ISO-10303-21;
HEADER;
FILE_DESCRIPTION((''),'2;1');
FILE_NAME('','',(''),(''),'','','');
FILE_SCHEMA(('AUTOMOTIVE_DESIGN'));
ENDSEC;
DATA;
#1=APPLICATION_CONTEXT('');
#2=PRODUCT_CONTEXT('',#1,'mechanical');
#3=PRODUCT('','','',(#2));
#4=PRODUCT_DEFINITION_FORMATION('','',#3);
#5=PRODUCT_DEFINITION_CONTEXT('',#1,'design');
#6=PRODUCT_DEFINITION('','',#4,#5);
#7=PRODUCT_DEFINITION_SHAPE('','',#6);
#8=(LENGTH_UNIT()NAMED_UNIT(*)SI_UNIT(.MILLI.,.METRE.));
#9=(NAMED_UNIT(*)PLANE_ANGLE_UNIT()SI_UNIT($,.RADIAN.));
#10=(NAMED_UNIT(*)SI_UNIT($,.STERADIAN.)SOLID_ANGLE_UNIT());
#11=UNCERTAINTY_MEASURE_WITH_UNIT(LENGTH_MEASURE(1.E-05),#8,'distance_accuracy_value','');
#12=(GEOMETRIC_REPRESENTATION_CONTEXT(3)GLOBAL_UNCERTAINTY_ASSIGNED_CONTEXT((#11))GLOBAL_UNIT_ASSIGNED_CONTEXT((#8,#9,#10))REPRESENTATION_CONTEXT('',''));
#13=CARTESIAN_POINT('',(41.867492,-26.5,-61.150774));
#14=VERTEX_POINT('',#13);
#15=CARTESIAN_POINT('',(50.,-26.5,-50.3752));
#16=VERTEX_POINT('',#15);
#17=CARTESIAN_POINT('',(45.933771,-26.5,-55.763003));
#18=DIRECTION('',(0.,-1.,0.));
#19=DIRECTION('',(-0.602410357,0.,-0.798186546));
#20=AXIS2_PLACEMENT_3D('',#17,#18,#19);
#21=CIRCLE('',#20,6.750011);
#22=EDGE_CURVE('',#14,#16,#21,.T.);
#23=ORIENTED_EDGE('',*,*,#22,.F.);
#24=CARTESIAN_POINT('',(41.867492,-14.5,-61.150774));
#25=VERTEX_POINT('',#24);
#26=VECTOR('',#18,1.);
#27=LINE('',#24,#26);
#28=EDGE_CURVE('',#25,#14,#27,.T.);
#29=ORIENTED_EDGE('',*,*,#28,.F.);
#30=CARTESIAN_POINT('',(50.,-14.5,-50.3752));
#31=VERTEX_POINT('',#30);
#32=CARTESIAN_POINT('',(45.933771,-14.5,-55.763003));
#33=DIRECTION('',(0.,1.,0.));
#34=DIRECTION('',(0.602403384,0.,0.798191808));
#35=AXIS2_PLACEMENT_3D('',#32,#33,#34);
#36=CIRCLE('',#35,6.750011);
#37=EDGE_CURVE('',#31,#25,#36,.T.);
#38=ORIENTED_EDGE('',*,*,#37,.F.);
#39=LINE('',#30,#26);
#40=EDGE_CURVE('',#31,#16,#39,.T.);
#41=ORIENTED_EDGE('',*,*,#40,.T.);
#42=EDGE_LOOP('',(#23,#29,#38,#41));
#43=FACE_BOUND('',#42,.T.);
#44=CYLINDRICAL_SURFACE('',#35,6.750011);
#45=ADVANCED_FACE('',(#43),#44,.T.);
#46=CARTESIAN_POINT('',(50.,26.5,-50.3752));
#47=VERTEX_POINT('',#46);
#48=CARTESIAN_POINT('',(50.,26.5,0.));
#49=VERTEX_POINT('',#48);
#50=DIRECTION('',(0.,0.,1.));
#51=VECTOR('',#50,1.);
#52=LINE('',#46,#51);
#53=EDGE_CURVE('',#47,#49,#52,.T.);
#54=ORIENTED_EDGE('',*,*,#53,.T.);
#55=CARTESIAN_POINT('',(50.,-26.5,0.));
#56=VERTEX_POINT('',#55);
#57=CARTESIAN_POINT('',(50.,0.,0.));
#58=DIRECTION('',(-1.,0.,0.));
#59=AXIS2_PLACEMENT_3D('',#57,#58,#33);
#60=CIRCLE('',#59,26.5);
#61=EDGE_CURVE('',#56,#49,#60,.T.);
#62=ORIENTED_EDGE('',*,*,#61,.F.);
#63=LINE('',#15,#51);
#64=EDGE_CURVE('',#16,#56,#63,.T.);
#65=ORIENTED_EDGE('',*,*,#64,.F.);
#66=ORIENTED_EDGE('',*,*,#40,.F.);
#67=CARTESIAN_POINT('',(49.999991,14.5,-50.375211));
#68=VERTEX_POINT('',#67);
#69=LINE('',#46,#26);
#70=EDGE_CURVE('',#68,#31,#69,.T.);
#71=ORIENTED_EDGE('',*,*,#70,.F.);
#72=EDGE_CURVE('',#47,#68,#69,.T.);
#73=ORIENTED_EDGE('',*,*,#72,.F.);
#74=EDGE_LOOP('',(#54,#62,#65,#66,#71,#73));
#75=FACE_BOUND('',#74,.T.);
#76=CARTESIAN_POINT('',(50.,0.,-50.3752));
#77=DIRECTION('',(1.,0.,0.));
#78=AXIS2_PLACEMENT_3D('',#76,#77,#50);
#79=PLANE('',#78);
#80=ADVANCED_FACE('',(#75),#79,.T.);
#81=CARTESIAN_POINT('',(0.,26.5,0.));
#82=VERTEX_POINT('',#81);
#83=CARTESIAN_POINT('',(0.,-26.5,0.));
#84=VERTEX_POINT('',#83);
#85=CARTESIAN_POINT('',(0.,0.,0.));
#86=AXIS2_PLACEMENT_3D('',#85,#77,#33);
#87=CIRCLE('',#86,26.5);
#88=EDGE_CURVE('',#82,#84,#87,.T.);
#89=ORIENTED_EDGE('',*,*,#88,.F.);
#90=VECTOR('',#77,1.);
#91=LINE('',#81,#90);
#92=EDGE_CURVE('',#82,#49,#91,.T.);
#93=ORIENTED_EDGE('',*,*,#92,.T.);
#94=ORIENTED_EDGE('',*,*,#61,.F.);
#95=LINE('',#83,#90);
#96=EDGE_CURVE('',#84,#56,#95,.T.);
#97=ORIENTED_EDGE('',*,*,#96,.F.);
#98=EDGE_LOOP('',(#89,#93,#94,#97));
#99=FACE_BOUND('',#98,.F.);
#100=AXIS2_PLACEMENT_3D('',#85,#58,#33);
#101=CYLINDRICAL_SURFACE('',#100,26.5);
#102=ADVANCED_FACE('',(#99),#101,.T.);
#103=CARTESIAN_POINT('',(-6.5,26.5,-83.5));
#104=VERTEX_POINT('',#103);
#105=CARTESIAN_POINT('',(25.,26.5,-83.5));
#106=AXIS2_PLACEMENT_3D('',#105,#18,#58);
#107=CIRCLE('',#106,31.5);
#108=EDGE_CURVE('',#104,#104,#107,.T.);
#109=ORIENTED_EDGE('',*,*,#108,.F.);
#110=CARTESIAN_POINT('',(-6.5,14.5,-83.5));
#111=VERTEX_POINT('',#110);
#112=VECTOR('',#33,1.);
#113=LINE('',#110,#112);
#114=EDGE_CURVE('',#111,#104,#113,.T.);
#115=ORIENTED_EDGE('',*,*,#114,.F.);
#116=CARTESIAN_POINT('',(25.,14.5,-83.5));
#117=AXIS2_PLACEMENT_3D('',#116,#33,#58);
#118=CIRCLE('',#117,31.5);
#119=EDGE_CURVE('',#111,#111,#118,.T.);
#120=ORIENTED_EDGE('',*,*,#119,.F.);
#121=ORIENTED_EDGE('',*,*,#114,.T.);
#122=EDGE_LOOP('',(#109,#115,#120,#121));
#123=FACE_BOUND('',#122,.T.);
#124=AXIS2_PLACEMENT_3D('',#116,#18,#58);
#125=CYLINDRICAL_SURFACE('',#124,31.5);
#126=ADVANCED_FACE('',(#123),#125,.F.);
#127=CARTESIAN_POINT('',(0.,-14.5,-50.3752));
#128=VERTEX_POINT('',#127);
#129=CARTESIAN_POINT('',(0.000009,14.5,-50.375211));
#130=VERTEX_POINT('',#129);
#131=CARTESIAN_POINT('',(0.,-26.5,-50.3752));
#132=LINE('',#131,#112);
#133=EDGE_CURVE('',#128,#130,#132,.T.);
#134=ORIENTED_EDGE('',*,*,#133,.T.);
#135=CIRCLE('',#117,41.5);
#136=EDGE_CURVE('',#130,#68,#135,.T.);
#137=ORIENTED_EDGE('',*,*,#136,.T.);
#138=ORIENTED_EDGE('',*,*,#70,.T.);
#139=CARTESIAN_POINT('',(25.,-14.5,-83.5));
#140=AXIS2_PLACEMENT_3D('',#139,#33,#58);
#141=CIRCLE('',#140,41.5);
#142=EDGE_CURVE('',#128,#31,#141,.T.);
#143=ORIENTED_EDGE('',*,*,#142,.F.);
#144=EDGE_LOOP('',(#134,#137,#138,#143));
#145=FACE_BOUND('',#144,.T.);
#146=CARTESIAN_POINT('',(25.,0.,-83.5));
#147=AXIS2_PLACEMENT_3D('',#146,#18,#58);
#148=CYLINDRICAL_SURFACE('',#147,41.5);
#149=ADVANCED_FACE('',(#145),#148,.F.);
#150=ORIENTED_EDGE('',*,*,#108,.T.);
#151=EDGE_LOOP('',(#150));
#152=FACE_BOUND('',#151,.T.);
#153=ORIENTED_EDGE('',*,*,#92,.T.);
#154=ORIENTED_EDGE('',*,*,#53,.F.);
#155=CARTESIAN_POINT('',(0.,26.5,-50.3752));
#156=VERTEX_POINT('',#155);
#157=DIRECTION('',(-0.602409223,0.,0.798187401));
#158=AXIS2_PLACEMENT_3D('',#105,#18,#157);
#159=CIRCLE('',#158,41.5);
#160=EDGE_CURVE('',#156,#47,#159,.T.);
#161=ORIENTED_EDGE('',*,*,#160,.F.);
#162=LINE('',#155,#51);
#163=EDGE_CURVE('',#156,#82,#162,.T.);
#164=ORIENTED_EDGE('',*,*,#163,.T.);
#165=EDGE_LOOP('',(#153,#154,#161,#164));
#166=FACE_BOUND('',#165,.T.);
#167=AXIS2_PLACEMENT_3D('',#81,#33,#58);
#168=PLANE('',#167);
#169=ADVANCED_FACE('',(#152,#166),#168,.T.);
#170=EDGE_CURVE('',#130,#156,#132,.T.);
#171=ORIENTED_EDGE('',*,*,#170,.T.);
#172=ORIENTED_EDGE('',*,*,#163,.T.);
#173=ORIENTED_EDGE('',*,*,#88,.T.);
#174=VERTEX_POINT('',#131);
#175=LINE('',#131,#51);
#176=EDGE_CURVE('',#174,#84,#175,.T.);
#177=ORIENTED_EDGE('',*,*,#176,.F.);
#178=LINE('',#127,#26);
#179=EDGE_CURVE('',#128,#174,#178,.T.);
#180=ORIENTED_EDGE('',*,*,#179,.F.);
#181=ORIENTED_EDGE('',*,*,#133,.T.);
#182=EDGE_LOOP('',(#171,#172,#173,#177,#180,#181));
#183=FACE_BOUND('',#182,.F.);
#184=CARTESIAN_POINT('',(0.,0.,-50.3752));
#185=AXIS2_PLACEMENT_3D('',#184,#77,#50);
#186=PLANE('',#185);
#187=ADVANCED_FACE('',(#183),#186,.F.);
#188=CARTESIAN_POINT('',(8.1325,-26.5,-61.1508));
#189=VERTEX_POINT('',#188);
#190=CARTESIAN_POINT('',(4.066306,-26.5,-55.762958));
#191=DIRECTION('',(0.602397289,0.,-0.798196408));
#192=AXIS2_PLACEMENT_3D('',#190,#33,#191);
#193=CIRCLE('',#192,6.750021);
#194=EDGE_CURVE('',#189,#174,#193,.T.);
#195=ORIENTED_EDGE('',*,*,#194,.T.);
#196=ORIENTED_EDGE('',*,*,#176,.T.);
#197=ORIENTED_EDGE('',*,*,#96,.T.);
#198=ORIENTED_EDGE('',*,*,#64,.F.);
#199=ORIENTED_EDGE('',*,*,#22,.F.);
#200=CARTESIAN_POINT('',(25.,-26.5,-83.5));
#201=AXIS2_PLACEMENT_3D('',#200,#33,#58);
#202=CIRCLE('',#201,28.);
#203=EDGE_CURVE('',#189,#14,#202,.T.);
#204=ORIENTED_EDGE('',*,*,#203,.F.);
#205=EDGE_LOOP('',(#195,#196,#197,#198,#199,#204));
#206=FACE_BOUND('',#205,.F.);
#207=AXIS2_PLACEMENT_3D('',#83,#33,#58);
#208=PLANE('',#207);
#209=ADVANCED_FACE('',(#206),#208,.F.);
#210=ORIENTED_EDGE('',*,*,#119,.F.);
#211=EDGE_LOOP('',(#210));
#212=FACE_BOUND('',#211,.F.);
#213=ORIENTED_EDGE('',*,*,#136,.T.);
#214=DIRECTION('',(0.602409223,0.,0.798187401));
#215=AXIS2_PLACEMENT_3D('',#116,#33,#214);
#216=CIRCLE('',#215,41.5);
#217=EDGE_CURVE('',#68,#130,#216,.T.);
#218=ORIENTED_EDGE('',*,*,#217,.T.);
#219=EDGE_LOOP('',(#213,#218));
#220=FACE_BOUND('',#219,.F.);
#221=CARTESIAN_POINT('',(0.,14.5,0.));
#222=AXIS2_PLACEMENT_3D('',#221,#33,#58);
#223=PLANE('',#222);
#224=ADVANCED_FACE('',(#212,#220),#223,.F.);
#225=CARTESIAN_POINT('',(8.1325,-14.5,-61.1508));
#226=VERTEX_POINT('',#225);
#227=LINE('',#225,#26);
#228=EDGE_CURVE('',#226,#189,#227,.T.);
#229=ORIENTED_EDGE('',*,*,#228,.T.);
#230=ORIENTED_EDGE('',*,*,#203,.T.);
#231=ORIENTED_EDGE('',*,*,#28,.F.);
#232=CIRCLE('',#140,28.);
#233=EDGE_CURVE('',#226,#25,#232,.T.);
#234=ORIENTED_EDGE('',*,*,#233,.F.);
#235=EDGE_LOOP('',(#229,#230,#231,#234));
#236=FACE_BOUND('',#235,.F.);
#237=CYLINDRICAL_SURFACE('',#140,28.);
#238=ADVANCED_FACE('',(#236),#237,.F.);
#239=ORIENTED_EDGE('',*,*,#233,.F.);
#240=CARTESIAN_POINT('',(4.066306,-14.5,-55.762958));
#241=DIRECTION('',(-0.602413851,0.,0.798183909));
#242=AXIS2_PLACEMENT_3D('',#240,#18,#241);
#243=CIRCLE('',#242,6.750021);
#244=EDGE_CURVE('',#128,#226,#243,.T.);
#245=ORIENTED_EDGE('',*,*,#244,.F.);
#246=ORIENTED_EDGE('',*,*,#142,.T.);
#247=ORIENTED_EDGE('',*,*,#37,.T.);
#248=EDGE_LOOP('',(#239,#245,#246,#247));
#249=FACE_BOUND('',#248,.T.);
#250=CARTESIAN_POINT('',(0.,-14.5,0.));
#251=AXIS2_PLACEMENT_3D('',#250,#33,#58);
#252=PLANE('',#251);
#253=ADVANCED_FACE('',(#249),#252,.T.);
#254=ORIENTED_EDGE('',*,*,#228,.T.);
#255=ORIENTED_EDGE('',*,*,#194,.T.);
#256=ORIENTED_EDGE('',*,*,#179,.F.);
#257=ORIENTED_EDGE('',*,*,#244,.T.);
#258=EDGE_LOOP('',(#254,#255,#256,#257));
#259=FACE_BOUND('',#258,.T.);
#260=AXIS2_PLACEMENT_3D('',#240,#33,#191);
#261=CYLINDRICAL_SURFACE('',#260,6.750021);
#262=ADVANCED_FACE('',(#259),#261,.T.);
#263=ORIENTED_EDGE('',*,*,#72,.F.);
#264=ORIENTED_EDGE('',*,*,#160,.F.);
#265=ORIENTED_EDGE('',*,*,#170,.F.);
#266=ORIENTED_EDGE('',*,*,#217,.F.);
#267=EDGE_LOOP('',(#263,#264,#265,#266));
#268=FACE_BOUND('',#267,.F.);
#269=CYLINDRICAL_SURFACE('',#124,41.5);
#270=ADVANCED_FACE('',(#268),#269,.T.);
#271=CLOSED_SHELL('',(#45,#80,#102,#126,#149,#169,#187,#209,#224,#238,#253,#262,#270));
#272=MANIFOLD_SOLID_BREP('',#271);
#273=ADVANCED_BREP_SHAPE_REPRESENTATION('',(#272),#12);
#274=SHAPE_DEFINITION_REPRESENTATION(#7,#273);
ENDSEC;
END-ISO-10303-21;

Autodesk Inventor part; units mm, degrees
ref_plane "YZ Plane" through (0, 0, 0) normal (1, 0, 0) x (0, 1, 0)
sketch "Sketch2" plane through (0, 0, 0) normal (0, 1, 0) x (-1, 0, 0)
  circle A0 centre (-25, -83.5) radius 36 construction
  line L0 (-25, -83.5) -> (-61, -83.5) construction
  line L1 (-25, -83.5) -> (4.6941, -63.1466) construction
  circle A1 centre (-25, -83.5) radius 41.5
  circle A2 centre (-25, -83.5) radius 28
  arc A3 (-8.1325, -61.1508) -> (0, -50.3752) centre (-4.0663, -55.763) ccw
  arc A4 (-50, -50.3752) -> (-39.3017, -57.0193) centre (-45.9337, -55.763) ccw
  line L2 (-25, -83.5) -> (-4.0663, -55.763) construction
  circle A5 centre (-25, -83.5) radius 31.5
  line L3 (0, -50.3752) -> (0, 0)
  line L4 (-50, -50.3752) -> (-50, 0)
  line L5 (0, 0) -> (-50, 0)
  line L6 (-25, 0) -> (-25, -83.5) construction
  point P0 (15.9829, -76.969)
  point P1 (13.8342, -68.866)
  point P2 (-39.2078, -55.1936)
  point P3 (-41.8675, -61.1508)
  point P4 (-8.1325, -61.1508)
  dimension "d1" = 72
  dimension "d5" = 83
  dimension "d6" = 56
  dimension "d7" = 63
  dimension "d11" = 50
  dimension "d31" = 83.5
ref_plane "Work Plane1" through (0, -14.5, 0) normal (0, 1, 0) x (-1, 0, 0)
ref_plane "Work Plane2" through (0, 14.5, 0) normal (0, 1, 0) x (-1, 0, 0)
extrude "Extrusion1" add sketch "Sketch2" along normal blind 12 from surface at 14.5 contours A1 A4 A5 A3 | A3 A5 A4 A1
extrude "Extrusion2" add sketch "Sketch2" against normal blind 12 from surface at -14.5 contours A3 A5 A4 A1 | A3 A2 A4 A5 picked at (-44.9519, -51.1635) picked at (-38.3765, -56.444)
extrude "Extrusion3" add sketch "Sketch2" along normal mid plane 53 contours A1 L4 L5 L3
sketch "Sketch3" plane through (0, 0, 0) normal (1, 0, 0) x (0, 1, 0)
  line L0 (26.5, 0) -> (-26.5, 0) projected
  circle A0 centre (0, 0) radius 26.5
extrude "Extrusion4" add sketch "Sketch3" along normal up to surface (50 mm away)
properties part number "left_thigh"
